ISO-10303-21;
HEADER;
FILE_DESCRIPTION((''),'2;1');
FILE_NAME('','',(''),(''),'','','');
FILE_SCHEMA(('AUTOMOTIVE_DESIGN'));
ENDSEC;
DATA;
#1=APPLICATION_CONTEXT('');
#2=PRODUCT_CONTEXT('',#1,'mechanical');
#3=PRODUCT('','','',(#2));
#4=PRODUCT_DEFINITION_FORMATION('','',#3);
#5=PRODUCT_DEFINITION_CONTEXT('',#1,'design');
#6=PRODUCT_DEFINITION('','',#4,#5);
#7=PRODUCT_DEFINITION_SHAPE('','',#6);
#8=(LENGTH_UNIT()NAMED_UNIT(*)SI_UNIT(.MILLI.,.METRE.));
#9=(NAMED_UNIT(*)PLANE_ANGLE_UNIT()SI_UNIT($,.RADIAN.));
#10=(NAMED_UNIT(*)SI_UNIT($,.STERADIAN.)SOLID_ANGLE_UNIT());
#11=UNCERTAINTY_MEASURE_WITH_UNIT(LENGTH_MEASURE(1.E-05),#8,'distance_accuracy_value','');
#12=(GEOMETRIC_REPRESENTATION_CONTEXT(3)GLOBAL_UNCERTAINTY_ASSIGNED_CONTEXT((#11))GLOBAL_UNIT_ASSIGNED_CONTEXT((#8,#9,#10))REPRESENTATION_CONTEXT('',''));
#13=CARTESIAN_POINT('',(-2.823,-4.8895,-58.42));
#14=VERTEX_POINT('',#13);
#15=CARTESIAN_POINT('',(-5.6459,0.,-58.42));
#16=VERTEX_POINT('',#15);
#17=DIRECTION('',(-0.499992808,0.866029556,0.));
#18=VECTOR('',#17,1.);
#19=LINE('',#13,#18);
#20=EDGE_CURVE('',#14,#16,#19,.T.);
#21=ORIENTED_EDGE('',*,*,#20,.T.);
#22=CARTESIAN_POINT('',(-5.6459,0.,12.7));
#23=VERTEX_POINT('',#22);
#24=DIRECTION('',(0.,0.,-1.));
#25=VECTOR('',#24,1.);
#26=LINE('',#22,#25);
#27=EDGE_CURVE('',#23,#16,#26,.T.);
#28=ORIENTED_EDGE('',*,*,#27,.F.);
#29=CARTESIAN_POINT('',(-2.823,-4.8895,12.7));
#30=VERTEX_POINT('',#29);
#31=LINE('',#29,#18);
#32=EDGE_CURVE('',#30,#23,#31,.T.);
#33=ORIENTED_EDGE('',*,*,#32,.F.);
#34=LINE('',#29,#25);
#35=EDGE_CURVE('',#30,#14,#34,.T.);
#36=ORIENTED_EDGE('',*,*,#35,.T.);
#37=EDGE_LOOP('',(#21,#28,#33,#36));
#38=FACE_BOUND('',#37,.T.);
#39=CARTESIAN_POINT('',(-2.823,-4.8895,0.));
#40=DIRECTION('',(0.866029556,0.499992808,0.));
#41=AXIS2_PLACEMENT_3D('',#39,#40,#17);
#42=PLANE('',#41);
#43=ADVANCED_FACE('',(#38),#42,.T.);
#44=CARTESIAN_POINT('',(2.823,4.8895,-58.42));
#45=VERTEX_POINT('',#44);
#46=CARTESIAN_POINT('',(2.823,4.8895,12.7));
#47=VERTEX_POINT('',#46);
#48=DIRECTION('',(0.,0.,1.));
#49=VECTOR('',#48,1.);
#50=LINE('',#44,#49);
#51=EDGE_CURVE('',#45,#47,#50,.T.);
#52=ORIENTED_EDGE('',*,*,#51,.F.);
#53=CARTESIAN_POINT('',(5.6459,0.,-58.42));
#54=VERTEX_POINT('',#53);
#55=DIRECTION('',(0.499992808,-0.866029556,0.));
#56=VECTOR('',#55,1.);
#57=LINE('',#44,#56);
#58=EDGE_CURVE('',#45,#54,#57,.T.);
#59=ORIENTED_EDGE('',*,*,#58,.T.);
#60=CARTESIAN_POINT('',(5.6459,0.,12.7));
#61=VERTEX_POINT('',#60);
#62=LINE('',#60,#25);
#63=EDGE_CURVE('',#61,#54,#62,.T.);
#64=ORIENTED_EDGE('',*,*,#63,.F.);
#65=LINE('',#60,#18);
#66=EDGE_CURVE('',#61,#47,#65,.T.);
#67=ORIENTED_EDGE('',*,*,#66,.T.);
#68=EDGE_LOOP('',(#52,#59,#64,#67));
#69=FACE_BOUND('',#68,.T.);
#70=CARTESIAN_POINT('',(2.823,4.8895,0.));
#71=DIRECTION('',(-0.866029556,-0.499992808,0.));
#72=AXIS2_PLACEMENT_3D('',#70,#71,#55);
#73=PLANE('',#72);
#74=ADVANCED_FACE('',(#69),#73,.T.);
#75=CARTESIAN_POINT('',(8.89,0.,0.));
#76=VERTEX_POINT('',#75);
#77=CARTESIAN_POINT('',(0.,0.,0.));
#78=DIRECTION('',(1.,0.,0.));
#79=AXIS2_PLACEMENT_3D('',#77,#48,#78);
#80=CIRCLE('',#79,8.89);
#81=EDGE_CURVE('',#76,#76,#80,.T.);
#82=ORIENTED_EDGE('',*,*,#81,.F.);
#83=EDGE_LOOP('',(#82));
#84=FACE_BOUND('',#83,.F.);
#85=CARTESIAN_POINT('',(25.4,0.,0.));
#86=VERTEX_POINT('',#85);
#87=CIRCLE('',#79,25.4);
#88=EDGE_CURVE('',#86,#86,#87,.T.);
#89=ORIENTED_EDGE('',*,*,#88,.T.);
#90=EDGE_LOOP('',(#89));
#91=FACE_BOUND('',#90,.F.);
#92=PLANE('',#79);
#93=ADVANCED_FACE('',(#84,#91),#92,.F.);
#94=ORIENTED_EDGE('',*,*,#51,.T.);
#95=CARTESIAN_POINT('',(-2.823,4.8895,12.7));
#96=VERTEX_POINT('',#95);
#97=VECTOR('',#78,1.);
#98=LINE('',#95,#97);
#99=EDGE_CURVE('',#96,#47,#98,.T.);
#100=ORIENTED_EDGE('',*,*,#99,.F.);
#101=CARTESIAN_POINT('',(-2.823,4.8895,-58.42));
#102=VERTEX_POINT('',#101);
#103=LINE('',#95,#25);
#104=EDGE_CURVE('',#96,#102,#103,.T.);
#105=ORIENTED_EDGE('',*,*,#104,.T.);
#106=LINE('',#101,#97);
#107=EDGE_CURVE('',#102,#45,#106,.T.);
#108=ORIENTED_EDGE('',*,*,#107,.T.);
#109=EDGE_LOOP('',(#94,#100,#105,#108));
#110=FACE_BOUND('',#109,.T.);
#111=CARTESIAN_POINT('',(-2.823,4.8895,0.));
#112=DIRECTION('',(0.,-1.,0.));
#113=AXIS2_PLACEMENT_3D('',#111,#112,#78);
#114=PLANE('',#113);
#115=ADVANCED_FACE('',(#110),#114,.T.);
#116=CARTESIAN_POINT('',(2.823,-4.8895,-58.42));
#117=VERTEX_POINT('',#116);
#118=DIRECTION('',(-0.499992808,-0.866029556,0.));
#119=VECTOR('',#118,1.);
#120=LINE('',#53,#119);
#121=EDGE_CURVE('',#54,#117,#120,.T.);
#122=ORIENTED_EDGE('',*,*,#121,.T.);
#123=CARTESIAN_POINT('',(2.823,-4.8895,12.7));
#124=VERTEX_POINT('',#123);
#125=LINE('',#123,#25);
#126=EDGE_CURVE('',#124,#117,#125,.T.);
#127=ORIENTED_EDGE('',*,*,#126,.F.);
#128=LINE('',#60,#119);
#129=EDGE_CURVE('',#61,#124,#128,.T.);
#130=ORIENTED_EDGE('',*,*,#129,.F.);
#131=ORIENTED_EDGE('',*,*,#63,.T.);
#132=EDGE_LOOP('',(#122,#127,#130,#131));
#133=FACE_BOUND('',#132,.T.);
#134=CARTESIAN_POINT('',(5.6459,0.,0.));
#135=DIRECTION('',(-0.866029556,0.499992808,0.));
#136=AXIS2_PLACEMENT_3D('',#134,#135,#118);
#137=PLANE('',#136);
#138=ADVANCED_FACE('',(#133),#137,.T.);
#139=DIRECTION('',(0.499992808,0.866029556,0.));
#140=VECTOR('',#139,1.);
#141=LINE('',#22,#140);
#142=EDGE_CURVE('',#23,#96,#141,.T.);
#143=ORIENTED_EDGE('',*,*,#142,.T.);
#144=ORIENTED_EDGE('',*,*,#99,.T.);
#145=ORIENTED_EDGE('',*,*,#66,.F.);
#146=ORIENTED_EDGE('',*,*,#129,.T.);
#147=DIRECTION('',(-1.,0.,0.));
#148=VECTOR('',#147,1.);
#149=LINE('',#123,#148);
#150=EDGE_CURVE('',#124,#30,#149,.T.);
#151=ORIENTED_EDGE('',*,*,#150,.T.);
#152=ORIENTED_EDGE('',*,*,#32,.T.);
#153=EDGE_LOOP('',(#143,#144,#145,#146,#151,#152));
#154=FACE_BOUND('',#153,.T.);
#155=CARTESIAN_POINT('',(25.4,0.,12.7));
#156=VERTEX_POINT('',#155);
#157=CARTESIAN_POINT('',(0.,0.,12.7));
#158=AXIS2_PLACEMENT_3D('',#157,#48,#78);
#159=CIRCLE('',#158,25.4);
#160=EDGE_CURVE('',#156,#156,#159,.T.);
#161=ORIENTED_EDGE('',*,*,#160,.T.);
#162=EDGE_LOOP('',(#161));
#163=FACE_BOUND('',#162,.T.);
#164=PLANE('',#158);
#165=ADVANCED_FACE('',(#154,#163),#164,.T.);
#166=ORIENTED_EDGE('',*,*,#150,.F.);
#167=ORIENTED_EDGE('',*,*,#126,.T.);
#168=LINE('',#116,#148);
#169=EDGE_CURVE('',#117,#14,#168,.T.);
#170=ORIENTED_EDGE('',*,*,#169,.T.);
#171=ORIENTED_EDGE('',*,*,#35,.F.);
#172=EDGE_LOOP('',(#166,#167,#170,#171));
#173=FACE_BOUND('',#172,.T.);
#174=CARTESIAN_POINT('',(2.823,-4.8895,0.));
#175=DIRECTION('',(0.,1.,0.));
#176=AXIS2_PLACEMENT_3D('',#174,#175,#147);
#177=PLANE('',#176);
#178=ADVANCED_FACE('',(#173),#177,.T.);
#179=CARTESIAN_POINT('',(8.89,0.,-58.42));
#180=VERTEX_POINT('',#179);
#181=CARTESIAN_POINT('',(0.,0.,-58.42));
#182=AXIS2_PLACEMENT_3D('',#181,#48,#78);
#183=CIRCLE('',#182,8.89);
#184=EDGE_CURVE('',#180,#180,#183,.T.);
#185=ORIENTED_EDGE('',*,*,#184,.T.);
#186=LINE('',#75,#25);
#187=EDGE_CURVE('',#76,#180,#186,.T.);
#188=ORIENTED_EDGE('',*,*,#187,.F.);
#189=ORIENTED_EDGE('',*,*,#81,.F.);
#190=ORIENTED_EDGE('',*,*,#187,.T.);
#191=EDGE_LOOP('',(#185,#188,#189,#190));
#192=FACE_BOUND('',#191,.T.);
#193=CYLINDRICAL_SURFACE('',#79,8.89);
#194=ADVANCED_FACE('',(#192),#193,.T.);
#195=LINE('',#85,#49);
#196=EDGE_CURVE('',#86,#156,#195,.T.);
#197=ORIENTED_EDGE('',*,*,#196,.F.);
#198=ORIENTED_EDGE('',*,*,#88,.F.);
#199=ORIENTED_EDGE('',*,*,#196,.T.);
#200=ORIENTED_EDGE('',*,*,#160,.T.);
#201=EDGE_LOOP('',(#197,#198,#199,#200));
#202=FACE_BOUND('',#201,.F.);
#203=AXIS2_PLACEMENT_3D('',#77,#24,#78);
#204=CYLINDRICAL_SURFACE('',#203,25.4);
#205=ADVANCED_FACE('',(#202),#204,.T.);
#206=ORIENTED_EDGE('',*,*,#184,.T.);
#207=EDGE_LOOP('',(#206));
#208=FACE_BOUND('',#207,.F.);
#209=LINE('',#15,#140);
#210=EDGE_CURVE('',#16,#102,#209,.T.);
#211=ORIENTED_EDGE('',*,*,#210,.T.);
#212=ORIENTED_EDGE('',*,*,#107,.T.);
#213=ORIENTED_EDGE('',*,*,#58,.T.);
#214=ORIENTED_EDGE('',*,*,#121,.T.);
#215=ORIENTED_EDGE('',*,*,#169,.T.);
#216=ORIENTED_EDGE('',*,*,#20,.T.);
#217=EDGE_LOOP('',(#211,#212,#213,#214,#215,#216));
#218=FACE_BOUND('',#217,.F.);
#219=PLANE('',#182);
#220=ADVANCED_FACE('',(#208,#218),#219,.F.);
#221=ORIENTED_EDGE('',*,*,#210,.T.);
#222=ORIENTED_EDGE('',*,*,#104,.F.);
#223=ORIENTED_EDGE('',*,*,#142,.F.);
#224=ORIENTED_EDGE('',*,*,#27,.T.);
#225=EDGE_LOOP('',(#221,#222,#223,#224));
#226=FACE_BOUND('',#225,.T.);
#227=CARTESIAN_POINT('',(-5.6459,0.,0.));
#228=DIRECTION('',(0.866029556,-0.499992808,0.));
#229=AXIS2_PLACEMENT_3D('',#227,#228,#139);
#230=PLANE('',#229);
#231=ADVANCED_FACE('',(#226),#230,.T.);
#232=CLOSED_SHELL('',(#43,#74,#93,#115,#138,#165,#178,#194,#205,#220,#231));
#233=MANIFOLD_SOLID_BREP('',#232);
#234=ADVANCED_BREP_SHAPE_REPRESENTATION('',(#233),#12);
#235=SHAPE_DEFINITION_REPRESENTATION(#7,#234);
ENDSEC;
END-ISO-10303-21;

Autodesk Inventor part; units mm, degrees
ref_plane "YZ Plane" through (0, 0, 0) normal (1, 0, 0) x (0, 1, 0)
ref_plane "XZ Plane" through (0, 0, 0) normal (0, 1, 0) x (-1, 0, 0)
ref_plane "XY Plane" through (0, 0, 0) normal (0, 0, 1) x (1, 0, 0)
sketch "Sketch1" plane through (0, 0, 0) normal (0, 0, 1) x (1, 0, 0)
  line L0 (2.823, 4.8895) -> (5.6459, 0)
  line L1 (5.6459, 0) -> (2.823, -4.8895)
  line L2 (2.823, -4.8895) -> (-2.823, -4.8895)
  line L3 (-2.823, -4.8895) -> (-5.6459, 0)
  line L4 (-5.6459, 0) -> (-2.823, 4.8895)
  line L5 (-2.823, 4.8895) -> (2.823, 4.8895)
  circle A0 centre (0, 0) radius 8.89
  dimension "d0" = 9.779
  dimension "d1" = 17.78
extrude "Extrusion1" add sketch "Sketch1" against normal blind 58.42
sketch "Sketch2" plane through (0, 0, 0) normal (0, 0, 1) x (1, 0, 0)
  line L0 (5.6459, 0) -> (2.823, 4.8895) projected
  line L1 (2.823, 4.8895) -> (5.6459, 0)
  line L2 (5.6459, 0) -> (2.823, -4.8895)
  line L3 (2.823, -4.8895) -> (-2.823, -4.8895)
  line L4 (-2.823, -4.8895) -> (-5.6459, 0)
  line L5 (-5.6459, 0) -> (-2.823, 4.8895)
  line L6 (-2.823, 4.8895) -> (2.823, 4.8895)
  circle A0 centre (0, 0) radius 25.4
  point P0 (0, 0)
  point P1 (0, 0)
  dimension "d4" = 50.8
extrude "Extrusion2" add sketch "Sketch2" along normal blind 12.7
properties part number "knobForSideGear"
